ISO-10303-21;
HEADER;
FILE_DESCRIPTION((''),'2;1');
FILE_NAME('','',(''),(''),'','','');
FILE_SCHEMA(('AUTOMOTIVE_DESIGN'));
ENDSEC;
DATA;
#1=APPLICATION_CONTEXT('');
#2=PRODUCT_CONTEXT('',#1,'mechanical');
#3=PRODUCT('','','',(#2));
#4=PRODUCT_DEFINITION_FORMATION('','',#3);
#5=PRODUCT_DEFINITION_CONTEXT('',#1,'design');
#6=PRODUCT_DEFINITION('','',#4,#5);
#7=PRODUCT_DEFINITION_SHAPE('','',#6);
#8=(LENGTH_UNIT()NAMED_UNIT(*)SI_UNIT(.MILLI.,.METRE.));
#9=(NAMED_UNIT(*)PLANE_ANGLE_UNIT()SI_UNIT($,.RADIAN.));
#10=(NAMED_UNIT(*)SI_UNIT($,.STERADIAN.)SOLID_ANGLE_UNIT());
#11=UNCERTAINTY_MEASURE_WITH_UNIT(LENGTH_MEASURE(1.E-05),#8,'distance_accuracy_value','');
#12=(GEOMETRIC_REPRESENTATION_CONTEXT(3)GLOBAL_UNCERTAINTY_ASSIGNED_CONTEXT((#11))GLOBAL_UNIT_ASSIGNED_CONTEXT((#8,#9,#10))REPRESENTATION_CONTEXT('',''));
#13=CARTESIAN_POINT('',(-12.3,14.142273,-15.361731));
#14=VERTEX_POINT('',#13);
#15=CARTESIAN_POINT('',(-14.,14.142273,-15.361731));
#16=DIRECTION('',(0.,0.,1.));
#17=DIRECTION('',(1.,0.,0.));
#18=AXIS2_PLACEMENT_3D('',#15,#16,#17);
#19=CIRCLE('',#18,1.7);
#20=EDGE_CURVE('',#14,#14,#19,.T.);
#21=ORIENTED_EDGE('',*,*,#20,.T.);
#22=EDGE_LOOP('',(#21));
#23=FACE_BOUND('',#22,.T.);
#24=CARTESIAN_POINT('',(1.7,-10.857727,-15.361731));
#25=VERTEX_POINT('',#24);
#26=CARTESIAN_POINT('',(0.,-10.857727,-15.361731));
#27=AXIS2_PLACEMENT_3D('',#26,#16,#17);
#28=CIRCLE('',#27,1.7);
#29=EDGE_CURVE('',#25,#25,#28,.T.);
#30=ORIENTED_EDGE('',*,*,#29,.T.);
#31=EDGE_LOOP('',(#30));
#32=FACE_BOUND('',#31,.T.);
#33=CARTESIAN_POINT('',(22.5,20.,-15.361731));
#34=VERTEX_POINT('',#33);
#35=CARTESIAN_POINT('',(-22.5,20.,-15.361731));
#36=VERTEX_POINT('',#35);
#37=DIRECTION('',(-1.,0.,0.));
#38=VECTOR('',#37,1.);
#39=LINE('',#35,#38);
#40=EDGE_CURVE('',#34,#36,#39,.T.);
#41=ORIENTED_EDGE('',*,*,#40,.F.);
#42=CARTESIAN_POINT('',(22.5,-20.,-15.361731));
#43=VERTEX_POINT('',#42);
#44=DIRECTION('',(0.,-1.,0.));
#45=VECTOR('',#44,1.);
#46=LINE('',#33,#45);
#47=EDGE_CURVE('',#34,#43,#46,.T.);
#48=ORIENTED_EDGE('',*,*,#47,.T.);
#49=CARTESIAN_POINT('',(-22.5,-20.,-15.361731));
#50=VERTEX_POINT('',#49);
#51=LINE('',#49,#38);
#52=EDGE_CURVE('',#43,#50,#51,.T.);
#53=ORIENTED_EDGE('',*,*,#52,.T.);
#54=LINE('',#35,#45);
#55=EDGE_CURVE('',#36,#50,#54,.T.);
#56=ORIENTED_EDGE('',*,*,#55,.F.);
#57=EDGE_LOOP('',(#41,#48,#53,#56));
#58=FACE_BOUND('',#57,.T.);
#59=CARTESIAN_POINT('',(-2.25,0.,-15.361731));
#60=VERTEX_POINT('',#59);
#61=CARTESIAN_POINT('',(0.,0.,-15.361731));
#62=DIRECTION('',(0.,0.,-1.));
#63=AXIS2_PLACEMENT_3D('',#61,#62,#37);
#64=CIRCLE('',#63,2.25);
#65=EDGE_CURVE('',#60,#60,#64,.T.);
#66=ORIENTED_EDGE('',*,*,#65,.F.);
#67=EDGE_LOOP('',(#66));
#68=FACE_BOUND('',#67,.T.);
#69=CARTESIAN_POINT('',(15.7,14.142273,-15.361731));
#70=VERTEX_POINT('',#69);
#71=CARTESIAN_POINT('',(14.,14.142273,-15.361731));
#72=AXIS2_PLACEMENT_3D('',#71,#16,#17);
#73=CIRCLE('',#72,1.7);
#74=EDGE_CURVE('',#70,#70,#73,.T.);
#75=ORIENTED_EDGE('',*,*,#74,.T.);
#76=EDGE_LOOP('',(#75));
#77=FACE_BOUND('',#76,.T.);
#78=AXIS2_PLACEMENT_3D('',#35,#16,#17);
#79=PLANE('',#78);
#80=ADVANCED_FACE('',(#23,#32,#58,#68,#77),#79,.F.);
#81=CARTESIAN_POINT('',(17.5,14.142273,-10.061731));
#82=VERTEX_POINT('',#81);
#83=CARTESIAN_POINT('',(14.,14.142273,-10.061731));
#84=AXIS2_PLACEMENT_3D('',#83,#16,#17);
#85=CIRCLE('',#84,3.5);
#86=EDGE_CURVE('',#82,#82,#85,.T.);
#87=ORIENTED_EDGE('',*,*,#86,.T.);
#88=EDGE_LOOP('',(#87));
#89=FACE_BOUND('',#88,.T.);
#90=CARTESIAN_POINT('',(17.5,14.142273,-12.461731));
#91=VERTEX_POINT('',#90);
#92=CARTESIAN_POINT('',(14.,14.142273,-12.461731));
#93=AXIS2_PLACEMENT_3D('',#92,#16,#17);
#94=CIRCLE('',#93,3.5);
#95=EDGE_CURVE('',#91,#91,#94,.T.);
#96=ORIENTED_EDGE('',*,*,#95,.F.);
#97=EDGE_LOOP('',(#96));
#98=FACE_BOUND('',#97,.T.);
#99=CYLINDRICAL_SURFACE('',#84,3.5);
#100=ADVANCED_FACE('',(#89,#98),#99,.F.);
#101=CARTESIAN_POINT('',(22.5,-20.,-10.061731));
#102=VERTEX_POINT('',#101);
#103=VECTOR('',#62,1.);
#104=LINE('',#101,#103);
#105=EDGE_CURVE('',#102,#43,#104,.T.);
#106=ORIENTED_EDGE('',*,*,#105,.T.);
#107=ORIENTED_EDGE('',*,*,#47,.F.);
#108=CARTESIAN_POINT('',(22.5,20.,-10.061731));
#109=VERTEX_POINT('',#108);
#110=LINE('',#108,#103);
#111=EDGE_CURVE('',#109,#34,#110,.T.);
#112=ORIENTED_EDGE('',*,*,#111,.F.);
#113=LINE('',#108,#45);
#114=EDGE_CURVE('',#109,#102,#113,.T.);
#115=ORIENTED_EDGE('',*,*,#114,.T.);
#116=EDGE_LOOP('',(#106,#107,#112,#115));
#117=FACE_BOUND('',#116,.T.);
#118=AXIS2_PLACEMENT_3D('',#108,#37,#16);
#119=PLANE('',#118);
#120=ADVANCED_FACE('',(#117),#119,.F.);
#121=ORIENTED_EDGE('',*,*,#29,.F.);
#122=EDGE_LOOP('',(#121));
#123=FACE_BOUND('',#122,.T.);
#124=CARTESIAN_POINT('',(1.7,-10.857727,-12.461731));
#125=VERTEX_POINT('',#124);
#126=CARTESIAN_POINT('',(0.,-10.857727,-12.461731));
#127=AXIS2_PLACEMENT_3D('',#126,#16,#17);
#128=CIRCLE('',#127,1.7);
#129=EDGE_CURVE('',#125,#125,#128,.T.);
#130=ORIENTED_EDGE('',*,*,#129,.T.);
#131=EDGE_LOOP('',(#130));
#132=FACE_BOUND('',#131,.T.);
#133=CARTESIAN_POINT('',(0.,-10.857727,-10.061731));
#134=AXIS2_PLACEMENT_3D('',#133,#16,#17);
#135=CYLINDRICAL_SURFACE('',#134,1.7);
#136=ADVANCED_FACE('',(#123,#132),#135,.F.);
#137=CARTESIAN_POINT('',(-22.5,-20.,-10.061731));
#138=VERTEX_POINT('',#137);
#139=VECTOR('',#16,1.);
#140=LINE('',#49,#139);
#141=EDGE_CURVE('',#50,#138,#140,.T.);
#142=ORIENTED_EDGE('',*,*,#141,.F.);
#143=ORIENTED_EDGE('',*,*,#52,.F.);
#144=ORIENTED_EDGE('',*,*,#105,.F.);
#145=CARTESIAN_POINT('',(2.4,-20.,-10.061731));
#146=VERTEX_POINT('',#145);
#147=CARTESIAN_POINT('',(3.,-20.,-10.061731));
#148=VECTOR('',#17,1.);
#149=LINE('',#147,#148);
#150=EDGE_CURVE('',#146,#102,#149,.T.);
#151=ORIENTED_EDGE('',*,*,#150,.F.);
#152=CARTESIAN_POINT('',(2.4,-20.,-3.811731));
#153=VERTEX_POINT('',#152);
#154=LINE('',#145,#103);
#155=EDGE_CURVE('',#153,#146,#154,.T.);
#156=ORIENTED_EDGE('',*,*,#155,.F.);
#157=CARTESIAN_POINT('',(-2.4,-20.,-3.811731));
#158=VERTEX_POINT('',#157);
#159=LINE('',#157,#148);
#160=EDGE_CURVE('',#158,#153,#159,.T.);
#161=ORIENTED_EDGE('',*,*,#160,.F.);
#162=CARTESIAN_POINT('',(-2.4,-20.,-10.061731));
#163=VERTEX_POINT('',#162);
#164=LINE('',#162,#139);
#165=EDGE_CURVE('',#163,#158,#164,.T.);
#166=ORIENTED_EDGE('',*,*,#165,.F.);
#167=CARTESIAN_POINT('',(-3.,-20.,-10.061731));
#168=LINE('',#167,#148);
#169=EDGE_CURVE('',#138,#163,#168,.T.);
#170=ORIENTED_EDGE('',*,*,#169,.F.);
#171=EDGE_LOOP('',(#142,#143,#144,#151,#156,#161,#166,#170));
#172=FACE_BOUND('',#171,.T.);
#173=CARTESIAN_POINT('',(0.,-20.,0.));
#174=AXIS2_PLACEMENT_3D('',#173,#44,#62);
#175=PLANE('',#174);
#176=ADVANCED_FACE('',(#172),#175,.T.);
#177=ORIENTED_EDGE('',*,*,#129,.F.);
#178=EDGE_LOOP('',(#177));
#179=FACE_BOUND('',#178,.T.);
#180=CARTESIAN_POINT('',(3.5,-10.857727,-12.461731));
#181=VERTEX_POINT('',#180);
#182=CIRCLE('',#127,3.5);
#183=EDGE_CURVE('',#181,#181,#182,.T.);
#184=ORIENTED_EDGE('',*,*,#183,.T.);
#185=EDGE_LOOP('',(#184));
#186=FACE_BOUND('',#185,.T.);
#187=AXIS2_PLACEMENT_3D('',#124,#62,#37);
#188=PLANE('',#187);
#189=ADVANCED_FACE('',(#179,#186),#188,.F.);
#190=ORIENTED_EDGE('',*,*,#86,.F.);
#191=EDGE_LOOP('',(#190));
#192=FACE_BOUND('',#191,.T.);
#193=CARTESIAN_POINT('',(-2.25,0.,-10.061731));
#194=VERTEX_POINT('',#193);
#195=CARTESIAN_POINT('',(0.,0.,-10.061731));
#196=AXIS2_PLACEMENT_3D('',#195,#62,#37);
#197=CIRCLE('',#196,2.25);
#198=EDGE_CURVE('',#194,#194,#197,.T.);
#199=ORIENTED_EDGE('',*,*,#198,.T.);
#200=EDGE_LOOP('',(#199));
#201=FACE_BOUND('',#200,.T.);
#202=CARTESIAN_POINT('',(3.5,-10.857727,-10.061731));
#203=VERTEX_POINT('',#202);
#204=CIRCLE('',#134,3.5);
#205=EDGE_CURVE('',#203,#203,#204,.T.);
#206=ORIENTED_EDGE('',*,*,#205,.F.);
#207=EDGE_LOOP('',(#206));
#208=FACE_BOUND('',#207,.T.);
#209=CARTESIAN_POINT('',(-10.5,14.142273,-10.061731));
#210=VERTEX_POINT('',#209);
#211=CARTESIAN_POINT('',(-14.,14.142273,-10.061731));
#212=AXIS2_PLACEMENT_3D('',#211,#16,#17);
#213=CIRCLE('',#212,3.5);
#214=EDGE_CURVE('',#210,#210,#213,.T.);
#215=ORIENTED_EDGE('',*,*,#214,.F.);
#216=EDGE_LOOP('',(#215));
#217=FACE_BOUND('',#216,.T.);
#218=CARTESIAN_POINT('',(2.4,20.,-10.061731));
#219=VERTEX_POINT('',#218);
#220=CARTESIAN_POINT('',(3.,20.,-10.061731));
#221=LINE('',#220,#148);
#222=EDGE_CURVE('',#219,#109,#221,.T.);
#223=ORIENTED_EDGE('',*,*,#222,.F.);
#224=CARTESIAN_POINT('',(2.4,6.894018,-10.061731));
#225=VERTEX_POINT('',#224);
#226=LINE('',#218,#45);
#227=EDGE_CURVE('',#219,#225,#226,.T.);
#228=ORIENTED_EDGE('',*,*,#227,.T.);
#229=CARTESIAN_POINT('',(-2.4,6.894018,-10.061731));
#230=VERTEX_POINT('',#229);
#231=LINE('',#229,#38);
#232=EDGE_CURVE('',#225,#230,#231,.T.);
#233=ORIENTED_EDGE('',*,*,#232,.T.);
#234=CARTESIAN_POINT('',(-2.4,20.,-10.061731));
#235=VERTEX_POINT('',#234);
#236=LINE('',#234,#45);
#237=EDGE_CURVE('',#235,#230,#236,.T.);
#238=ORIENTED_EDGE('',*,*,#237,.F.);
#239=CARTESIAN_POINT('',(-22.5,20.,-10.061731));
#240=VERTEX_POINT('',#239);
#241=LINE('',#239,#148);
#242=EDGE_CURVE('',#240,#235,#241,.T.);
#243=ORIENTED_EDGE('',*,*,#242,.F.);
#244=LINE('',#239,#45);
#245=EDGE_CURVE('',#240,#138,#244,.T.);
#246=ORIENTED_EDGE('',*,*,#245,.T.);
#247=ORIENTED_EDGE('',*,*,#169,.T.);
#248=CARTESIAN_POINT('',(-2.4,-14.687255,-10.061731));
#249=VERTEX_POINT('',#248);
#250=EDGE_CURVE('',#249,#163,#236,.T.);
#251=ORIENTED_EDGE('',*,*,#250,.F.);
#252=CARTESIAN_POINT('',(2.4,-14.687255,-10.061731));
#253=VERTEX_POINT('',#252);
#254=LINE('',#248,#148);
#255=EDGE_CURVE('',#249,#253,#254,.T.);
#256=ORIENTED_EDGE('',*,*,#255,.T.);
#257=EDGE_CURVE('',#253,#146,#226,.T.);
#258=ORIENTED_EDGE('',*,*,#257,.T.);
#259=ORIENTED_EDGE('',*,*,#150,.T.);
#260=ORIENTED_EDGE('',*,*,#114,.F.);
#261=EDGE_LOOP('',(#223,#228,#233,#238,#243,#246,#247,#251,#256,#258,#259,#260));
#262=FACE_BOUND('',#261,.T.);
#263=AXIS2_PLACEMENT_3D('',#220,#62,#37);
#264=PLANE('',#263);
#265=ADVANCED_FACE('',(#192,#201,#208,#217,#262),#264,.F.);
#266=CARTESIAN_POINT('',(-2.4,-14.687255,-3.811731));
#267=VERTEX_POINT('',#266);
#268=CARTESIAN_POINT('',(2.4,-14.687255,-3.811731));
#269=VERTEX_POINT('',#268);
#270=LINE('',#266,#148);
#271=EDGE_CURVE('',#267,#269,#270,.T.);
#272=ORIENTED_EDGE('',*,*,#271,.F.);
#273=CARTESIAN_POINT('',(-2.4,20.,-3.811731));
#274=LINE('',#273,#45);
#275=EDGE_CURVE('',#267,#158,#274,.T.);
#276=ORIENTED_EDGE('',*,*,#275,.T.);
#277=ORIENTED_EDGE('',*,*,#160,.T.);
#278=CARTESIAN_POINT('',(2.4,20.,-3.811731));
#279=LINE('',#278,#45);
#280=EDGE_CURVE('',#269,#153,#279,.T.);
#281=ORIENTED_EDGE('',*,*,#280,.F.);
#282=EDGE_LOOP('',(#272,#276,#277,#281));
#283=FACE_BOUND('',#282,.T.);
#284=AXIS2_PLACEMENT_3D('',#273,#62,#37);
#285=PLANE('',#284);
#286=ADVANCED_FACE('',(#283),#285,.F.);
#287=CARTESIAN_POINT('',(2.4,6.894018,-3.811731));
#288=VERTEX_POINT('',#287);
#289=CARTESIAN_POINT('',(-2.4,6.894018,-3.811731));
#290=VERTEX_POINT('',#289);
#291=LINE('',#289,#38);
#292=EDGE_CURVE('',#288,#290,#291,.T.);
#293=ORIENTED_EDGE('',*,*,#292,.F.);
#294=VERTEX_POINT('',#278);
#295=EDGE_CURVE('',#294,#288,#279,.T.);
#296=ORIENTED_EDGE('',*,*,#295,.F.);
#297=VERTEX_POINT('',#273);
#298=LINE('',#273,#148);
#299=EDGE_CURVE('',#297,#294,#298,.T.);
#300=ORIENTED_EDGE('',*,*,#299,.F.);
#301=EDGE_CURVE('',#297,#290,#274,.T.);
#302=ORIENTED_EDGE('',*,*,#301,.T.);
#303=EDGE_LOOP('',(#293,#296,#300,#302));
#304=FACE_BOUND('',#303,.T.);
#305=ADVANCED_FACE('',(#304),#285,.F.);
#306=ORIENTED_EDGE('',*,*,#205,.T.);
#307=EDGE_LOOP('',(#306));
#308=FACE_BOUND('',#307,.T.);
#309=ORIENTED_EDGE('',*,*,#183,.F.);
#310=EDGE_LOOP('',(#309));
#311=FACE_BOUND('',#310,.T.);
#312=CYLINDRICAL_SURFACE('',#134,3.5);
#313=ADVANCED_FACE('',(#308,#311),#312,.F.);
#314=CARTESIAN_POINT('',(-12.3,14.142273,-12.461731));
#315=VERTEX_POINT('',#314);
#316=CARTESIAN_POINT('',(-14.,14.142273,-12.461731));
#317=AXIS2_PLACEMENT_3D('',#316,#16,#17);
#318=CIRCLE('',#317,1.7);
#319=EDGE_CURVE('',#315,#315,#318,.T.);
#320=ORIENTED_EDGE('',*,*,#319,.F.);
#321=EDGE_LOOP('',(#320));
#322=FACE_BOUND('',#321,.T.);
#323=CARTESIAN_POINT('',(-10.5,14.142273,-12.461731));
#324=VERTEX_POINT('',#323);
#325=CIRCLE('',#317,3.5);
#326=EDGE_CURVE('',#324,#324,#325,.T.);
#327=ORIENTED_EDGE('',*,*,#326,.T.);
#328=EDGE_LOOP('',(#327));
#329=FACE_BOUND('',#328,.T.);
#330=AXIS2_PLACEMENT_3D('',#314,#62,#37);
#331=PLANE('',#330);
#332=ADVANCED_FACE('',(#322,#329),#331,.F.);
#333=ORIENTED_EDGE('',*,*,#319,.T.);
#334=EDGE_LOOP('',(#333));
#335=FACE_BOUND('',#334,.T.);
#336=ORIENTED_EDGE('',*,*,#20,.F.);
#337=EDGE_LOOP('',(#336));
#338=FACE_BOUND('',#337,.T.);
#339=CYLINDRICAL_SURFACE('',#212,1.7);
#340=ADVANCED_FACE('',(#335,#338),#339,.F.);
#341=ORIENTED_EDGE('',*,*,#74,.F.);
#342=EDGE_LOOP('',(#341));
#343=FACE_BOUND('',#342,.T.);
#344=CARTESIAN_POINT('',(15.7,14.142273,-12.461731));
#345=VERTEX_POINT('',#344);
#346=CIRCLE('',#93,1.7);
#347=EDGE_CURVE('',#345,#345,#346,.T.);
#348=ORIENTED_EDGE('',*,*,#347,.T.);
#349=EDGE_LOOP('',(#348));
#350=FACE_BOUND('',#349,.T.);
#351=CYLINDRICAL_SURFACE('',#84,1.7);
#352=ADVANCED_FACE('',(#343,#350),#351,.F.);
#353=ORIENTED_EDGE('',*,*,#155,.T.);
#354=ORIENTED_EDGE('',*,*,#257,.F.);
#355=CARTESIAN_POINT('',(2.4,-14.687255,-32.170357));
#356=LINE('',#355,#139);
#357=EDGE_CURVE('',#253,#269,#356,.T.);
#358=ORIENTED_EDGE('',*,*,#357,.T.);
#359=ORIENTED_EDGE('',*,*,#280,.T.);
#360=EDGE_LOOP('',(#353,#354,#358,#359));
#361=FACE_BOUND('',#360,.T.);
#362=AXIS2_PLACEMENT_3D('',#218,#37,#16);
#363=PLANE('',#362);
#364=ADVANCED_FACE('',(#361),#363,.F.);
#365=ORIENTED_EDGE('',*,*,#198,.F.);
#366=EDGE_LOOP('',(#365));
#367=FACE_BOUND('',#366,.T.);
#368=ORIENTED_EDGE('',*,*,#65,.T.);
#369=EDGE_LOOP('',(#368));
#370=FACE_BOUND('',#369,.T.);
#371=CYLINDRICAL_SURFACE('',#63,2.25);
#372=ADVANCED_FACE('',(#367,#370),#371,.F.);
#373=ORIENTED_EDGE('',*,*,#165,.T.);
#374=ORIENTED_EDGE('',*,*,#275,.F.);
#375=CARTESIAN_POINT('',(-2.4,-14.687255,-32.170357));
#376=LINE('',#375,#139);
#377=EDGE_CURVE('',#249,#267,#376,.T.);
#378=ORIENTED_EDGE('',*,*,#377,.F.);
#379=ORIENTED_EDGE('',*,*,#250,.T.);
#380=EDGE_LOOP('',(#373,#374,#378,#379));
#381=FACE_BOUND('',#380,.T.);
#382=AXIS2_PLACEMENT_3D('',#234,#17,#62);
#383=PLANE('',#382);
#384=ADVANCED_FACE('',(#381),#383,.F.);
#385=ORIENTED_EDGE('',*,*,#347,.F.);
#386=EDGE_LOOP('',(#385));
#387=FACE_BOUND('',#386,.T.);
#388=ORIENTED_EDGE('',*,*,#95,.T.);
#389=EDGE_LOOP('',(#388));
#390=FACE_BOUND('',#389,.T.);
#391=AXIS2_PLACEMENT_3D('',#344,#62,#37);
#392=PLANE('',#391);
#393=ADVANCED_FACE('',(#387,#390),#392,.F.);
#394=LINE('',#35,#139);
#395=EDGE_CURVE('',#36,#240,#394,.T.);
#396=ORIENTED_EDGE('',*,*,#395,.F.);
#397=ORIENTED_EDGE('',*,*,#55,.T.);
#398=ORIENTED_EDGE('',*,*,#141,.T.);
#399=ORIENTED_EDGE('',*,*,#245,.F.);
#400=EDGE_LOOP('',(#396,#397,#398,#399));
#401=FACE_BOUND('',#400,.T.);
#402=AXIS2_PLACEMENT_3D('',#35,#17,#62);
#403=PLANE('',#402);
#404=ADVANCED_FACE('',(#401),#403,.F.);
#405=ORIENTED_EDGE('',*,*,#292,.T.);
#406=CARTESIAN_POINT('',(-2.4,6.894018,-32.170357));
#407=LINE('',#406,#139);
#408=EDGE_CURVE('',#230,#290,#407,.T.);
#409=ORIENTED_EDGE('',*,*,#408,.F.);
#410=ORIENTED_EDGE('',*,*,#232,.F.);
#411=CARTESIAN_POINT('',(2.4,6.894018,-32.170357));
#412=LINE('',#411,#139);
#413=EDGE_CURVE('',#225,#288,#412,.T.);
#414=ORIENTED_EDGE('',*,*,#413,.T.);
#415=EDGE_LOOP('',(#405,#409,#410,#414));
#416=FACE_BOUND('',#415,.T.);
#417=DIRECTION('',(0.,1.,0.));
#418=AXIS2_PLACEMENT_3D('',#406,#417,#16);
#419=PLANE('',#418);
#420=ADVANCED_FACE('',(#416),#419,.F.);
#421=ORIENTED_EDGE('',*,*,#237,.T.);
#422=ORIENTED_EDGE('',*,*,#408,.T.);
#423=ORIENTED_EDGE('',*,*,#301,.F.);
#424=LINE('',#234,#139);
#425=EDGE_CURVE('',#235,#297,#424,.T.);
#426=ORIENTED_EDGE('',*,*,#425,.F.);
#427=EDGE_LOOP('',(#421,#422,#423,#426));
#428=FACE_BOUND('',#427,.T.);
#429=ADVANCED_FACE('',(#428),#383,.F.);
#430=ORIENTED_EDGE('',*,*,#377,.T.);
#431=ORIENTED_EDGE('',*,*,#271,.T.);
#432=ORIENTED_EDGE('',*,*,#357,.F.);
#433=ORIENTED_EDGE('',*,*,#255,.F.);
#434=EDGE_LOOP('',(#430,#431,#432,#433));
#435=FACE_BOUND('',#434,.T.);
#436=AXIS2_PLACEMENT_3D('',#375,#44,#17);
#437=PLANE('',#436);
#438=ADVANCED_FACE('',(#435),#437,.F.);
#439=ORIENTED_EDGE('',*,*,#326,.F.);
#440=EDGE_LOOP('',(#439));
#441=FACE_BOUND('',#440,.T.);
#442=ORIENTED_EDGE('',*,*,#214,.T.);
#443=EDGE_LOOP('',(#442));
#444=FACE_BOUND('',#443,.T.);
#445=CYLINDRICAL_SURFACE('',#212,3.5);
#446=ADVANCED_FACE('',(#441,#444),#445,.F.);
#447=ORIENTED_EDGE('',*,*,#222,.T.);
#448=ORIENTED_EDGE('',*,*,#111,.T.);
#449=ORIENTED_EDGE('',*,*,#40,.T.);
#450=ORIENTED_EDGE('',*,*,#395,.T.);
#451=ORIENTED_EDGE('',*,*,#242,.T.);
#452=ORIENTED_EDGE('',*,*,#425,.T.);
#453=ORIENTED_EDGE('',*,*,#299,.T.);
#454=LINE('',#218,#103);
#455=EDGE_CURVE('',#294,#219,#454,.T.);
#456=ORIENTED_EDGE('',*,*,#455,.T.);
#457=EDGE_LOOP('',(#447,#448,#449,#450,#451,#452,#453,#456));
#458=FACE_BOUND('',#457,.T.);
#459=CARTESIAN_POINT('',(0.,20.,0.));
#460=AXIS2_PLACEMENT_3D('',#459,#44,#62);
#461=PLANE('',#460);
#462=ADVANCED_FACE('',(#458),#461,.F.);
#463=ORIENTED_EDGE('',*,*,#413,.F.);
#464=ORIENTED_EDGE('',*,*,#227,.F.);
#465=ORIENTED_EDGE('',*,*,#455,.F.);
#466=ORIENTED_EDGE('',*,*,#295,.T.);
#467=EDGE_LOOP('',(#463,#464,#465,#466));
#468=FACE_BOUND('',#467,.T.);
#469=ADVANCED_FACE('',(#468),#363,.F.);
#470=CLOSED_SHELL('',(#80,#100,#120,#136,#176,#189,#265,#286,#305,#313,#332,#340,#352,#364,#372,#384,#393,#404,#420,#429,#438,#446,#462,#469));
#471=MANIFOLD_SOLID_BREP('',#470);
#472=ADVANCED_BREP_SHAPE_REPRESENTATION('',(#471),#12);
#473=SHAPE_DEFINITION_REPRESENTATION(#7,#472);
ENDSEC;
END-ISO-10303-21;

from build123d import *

# Parameters (mm, degrees)
BOSS_EXTRU_1_DEPTH                                 = 20
ESQUISSE19_W                                       = 4.8
ESQUISSE19_H                                       = 21.581272728
ENL_V_MAT_EXTRU_1_DEPTH                            = 6.25
CHAMBRAGE_POUR_VIS_T_TE_RONDE_BOMB_E_M_D           = 3.4
CHAMBRAGE_POUR_VIS_T_TE_RONDE_BOMB_E_M_CBORE_D     = 7
CHAMBRAGE_POUR_VIS_T_TE_RONDE_BOMB_E_M_CBORE_DEPTH = 2.4
D_GAGEMENT_M41_D                                   = 4.5


with BuildPart() as part:
    # Base → Boss.-Extru.1 (new, symmetric)
    with BuildSketch(Plane(origin=(0, 0, 0), x_dir=(1, 0, 0), z_dir=(0, 1, 0))):
        Polygon((-3, 10.061730862), (-2.4, 10.061730862), (-2.4, 3.811730862), (2.4, 3.811730862), (2.4, 10.061730862), (3, 10.061730862), (22.5, 10.061730862), (22.5, 15.361730862), (-22.5, 15.361730862), (-22.5, 10.061730862), align=None)
    extrude(amount=BOSS_EXTRU_1_DEPTH, both=True)

    # Esquisse19 → Enlèv. mat.-Extru.1 (cut)
    with BuildSketch(Plane.XY.offset(-3.811730862)):
        with Locations((0, -3.896618687)):
            Rectangle(ESQUISSE19_W, ESQUISSE19_H)
    extrude(amount=-ENL_V_MAT_EXTRU_1_DEPTH, mode=Mode.SUBTRACT)

    # Chambrage pour vis à tête ronde bombée M31 (through all)
    with Locations(Plane.XY.offset(-10.061730862)):
        with Locations((-14, 14.142273416), (14, 14.142273416), (0, -10.857726584)):
            CounterBoreHole(CHAMBRAGE_POUR_VIS_T_TE_RONDE_BOMB_E_M_D / 2, CHAMBRAGE_POUR_VIS_T_TE_RONDE_BOMB_E_M_CBORE_D / 2, CHAMBRAGE_POUR_VIS_T_TE_RONDE_BOMB_E_M_CBORE_DEPTH)

    # Dégagement M41 (through all)
    with Locations(Plane(origin=(0, 0, -15.361730862), x_dir=(-1, 0, 0), z_dir=(0, 0, -1))):
        with Locations((0, 0)):
            Hole(D_GAGEMENT_M41_D / 2)


solid = part.part
